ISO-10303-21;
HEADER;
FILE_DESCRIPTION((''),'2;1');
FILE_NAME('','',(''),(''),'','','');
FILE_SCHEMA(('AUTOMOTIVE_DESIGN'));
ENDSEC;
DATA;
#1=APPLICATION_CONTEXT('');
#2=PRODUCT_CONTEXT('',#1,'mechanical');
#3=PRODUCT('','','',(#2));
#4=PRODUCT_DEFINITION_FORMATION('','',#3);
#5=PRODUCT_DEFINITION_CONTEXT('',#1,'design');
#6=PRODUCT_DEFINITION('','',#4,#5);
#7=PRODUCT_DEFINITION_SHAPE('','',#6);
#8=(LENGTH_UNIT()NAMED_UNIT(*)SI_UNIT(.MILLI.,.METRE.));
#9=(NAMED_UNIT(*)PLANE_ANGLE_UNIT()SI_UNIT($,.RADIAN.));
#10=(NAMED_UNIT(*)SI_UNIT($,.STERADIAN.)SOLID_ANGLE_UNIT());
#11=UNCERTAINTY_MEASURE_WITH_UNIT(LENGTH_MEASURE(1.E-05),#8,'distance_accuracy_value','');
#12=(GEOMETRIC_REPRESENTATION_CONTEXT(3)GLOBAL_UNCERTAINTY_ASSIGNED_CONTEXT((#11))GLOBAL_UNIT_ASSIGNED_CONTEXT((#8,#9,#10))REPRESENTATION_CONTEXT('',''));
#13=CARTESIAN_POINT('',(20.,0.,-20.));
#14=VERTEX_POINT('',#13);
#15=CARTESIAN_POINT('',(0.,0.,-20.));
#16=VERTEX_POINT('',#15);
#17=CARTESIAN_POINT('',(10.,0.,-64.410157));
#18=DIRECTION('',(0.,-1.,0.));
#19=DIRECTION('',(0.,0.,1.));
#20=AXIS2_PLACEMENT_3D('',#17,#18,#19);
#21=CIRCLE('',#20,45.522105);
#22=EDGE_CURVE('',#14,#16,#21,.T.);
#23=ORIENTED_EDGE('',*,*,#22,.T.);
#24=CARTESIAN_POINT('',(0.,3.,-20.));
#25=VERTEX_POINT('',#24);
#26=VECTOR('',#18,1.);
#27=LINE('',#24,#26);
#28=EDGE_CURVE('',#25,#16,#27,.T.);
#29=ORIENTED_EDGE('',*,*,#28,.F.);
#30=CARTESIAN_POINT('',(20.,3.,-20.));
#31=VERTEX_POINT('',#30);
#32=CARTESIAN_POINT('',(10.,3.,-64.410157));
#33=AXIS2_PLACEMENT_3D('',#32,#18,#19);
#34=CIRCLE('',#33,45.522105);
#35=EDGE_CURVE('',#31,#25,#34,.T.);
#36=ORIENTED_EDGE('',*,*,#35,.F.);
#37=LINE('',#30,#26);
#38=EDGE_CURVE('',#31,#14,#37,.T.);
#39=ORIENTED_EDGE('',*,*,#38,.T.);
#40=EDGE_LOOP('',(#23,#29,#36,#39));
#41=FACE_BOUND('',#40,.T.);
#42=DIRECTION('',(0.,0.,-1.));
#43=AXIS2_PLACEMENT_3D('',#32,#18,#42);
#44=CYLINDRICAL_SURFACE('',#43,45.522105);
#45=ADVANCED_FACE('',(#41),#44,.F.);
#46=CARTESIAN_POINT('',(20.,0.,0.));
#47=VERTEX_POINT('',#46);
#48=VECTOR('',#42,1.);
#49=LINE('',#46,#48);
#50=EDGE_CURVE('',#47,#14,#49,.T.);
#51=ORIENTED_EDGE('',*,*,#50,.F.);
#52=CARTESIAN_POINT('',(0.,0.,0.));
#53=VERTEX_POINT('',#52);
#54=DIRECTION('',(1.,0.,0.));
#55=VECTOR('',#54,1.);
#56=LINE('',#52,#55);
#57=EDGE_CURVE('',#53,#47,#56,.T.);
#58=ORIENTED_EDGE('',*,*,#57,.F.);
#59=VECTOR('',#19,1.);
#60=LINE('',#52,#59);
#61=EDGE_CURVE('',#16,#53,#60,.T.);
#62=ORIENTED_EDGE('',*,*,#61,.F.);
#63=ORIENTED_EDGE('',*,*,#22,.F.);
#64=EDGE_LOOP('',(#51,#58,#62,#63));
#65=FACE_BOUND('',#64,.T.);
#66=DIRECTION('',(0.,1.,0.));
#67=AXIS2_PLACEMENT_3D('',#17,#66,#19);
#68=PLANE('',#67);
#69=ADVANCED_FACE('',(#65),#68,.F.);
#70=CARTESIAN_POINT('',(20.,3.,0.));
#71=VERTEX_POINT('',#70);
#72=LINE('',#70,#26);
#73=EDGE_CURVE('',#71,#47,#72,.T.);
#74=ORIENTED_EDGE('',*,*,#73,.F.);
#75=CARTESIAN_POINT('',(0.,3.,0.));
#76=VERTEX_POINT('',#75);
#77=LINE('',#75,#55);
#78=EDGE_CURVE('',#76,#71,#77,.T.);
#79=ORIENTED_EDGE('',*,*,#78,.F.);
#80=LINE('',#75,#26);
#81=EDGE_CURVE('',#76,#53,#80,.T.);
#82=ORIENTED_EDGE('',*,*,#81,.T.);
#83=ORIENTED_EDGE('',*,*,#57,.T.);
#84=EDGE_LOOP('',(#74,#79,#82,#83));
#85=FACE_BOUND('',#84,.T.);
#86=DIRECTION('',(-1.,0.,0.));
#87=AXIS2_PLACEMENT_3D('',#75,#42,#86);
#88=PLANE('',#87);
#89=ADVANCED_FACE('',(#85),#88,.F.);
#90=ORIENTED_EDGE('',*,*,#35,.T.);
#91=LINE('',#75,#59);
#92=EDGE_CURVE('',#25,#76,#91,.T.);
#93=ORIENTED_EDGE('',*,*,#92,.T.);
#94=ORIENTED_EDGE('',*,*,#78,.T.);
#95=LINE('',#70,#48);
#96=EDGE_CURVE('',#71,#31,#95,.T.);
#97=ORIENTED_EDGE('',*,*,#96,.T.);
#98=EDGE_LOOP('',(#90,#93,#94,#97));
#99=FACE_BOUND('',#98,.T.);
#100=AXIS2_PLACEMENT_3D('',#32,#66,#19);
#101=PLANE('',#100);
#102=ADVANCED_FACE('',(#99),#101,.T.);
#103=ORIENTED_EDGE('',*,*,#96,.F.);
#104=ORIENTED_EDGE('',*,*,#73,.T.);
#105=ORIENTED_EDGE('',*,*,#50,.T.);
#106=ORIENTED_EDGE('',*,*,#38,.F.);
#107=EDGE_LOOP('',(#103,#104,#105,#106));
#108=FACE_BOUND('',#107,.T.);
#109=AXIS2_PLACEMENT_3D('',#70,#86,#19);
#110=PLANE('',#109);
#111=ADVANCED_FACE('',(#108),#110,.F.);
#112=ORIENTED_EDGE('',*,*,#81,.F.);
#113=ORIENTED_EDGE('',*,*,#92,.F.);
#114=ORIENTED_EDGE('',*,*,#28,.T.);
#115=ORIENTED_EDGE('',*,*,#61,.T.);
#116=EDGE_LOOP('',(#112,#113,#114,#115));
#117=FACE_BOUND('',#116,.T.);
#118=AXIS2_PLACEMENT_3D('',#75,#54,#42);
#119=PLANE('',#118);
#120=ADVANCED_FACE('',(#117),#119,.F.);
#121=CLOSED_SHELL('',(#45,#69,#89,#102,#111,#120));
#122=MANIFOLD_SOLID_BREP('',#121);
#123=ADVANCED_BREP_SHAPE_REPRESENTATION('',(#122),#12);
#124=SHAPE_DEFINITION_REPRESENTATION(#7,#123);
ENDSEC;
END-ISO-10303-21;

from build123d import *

# Parameters (mm, degrees)
BOSS_EXTRUDE1_DEPTH = 3


with BuildPart() as part:
    # Sketch1 → Boss-Extrude1 (new body)
    with BuildSketch(Plane(origin=(0, 0, 0), x_dir=(1, 0, 0), z_dir=(0, 1, 0))):
        with BuildLine():
            Line((0, 0), (20, 0))
            Line((20, 0), (20, 20))
            ThreePointArc((20, 20), (10, 18.888051988), (0, 20))
            Line((0, 20), (0, 0))
        make_face()
    extrude(amount=BOSS_EXTRUDE1_DEPTH)


solid = part.part
